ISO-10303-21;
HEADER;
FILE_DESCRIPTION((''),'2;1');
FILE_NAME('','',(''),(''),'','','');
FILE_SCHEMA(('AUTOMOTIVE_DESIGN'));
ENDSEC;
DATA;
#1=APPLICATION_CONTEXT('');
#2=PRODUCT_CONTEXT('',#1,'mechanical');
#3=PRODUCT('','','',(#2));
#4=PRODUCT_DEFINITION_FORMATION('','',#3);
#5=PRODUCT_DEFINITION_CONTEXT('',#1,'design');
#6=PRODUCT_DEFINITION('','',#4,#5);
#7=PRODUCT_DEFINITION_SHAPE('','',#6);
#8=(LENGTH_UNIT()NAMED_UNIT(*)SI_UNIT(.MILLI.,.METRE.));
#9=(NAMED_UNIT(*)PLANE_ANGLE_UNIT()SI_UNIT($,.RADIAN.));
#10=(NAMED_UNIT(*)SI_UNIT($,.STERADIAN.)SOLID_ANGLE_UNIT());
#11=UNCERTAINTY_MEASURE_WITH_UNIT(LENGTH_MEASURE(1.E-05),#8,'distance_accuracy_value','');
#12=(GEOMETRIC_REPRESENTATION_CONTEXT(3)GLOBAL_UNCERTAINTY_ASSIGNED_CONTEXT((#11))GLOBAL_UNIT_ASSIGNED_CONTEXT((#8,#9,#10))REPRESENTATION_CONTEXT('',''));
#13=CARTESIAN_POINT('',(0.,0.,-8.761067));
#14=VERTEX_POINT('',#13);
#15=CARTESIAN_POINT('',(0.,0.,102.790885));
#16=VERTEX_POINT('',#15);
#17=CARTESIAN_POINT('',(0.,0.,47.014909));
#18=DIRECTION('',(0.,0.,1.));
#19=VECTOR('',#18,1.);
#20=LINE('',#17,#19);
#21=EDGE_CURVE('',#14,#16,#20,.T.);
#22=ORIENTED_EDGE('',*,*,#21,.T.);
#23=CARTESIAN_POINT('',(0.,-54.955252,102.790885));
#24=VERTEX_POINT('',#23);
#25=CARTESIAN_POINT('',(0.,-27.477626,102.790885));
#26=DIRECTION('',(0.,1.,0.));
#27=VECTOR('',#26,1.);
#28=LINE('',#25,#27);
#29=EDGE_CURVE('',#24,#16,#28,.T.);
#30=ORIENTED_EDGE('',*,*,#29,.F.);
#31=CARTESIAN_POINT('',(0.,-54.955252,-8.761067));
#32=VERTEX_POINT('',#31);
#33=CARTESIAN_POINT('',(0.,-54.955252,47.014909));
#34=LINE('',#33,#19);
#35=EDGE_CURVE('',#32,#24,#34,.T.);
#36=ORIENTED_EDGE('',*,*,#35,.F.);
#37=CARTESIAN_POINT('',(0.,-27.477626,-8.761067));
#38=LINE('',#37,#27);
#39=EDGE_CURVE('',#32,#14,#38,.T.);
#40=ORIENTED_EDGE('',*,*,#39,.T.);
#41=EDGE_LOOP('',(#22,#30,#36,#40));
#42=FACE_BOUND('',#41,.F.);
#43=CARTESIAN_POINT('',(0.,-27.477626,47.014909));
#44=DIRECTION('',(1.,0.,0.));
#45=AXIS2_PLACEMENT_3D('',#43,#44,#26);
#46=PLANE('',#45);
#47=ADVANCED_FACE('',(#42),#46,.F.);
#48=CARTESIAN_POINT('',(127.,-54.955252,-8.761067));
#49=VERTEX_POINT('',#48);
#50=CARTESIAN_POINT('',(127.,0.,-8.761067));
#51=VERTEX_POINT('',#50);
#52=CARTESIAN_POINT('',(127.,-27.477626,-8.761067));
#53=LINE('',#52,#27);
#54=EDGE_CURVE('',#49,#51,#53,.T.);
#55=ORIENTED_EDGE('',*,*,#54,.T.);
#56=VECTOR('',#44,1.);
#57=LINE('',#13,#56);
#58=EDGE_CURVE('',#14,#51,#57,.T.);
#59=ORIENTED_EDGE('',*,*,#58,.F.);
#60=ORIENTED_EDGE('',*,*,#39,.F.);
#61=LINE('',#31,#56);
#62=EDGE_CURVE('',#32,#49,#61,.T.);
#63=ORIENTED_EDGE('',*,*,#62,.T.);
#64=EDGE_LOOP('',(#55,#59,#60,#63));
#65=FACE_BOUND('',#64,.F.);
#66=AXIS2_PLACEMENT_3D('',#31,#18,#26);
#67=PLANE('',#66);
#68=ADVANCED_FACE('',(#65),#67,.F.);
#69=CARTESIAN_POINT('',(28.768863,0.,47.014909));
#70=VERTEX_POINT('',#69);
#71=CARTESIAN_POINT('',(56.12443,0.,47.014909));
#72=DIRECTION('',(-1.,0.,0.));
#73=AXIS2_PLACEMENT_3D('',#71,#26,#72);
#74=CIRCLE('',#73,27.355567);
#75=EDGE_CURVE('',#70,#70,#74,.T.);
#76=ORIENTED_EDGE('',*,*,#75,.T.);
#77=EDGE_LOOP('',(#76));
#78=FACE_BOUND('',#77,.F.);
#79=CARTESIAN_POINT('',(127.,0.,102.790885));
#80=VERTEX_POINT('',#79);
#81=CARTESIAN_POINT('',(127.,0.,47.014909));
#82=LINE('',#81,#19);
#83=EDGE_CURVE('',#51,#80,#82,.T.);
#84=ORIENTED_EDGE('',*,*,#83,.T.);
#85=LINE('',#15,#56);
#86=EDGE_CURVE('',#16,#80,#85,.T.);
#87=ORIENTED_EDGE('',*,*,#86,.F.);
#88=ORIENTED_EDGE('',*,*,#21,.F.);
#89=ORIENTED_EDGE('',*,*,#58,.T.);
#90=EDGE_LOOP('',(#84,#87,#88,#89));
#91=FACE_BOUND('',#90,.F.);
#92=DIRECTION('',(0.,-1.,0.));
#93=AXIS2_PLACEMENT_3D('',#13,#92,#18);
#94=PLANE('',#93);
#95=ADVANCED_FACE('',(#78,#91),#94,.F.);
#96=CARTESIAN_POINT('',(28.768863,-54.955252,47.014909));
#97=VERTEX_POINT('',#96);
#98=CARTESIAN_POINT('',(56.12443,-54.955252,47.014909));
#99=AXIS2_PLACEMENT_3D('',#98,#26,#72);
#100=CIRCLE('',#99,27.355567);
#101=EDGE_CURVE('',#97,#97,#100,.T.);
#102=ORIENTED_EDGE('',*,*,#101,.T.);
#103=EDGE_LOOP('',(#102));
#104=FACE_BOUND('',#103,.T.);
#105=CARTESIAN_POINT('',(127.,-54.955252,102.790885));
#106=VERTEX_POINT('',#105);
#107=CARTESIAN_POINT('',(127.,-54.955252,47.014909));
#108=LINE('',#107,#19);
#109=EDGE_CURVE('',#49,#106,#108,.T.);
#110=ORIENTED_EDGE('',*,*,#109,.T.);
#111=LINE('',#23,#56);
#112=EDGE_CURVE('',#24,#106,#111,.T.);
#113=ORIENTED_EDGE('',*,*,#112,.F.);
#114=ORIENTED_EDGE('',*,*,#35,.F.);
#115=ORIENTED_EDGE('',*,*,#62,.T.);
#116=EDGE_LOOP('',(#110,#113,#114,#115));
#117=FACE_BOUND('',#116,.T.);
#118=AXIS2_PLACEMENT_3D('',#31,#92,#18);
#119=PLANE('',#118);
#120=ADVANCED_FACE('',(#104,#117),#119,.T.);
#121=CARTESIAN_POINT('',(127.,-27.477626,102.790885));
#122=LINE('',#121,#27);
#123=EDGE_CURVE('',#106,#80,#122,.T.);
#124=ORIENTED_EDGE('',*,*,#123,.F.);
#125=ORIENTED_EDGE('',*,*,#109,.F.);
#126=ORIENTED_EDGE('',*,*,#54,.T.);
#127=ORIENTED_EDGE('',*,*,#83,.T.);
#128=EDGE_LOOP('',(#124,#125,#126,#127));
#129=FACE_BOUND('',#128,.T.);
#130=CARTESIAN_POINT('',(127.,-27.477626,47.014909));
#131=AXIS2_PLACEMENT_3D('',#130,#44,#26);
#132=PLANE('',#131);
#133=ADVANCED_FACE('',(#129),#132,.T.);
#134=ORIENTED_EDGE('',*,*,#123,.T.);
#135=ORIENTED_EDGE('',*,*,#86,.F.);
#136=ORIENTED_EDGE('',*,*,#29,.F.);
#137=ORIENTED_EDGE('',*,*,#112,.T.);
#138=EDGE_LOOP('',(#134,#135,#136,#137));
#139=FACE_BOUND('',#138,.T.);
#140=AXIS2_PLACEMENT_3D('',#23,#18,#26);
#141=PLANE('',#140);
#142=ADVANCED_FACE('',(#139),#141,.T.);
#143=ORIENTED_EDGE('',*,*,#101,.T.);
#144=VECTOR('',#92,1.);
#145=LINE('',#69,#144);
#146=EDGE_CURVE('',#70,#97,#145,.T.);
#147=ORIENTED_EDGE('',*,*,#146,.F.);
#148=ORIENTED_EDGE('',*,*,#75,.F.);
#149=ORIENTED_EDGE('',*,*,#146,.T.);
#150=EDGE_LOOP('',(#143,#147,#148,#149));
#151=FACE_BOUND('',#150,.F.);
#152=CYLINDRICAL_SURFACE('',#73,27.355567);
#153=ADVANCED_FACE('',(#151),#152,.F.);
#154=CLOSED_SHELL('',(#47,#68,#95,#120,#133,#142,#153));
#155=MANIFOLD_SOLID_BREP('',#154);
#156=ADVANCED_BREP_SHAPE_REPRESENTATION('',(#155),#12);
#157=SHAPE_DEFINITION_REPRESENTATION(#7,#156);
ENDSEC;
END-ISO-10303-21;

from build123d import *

# Parameters (mm, degrees)
F0_W     = 54.955252
F0_H     = 111.551951
F1_DEPTH = 127
F2_R     = 27.355567
F3_DEPTH = 55.46344


with BuildPart() as f1:
    # F0 (on Right) → F1 (new body)
    with BuildSketch(Plane.YZ):
        with Locations((-27.477626, 47.014909)):
            Rectangle(F0_W, F0_H)
    extrude(amount=F1_DEPTH)

    # F2 (on face) → F3 (cut)
    with BuildSketch(Plane(origin=(0, 0, 0), x_dir=(-1, 0, 0), z_dir=(0, 1, 0))):
        with Locations((-56.12443, 47.014909)):
            Circle(F2_R)
    extrude(amount=-F3_DEPTH, mode=Mode.SUBTRACT)


solid = f1.part
